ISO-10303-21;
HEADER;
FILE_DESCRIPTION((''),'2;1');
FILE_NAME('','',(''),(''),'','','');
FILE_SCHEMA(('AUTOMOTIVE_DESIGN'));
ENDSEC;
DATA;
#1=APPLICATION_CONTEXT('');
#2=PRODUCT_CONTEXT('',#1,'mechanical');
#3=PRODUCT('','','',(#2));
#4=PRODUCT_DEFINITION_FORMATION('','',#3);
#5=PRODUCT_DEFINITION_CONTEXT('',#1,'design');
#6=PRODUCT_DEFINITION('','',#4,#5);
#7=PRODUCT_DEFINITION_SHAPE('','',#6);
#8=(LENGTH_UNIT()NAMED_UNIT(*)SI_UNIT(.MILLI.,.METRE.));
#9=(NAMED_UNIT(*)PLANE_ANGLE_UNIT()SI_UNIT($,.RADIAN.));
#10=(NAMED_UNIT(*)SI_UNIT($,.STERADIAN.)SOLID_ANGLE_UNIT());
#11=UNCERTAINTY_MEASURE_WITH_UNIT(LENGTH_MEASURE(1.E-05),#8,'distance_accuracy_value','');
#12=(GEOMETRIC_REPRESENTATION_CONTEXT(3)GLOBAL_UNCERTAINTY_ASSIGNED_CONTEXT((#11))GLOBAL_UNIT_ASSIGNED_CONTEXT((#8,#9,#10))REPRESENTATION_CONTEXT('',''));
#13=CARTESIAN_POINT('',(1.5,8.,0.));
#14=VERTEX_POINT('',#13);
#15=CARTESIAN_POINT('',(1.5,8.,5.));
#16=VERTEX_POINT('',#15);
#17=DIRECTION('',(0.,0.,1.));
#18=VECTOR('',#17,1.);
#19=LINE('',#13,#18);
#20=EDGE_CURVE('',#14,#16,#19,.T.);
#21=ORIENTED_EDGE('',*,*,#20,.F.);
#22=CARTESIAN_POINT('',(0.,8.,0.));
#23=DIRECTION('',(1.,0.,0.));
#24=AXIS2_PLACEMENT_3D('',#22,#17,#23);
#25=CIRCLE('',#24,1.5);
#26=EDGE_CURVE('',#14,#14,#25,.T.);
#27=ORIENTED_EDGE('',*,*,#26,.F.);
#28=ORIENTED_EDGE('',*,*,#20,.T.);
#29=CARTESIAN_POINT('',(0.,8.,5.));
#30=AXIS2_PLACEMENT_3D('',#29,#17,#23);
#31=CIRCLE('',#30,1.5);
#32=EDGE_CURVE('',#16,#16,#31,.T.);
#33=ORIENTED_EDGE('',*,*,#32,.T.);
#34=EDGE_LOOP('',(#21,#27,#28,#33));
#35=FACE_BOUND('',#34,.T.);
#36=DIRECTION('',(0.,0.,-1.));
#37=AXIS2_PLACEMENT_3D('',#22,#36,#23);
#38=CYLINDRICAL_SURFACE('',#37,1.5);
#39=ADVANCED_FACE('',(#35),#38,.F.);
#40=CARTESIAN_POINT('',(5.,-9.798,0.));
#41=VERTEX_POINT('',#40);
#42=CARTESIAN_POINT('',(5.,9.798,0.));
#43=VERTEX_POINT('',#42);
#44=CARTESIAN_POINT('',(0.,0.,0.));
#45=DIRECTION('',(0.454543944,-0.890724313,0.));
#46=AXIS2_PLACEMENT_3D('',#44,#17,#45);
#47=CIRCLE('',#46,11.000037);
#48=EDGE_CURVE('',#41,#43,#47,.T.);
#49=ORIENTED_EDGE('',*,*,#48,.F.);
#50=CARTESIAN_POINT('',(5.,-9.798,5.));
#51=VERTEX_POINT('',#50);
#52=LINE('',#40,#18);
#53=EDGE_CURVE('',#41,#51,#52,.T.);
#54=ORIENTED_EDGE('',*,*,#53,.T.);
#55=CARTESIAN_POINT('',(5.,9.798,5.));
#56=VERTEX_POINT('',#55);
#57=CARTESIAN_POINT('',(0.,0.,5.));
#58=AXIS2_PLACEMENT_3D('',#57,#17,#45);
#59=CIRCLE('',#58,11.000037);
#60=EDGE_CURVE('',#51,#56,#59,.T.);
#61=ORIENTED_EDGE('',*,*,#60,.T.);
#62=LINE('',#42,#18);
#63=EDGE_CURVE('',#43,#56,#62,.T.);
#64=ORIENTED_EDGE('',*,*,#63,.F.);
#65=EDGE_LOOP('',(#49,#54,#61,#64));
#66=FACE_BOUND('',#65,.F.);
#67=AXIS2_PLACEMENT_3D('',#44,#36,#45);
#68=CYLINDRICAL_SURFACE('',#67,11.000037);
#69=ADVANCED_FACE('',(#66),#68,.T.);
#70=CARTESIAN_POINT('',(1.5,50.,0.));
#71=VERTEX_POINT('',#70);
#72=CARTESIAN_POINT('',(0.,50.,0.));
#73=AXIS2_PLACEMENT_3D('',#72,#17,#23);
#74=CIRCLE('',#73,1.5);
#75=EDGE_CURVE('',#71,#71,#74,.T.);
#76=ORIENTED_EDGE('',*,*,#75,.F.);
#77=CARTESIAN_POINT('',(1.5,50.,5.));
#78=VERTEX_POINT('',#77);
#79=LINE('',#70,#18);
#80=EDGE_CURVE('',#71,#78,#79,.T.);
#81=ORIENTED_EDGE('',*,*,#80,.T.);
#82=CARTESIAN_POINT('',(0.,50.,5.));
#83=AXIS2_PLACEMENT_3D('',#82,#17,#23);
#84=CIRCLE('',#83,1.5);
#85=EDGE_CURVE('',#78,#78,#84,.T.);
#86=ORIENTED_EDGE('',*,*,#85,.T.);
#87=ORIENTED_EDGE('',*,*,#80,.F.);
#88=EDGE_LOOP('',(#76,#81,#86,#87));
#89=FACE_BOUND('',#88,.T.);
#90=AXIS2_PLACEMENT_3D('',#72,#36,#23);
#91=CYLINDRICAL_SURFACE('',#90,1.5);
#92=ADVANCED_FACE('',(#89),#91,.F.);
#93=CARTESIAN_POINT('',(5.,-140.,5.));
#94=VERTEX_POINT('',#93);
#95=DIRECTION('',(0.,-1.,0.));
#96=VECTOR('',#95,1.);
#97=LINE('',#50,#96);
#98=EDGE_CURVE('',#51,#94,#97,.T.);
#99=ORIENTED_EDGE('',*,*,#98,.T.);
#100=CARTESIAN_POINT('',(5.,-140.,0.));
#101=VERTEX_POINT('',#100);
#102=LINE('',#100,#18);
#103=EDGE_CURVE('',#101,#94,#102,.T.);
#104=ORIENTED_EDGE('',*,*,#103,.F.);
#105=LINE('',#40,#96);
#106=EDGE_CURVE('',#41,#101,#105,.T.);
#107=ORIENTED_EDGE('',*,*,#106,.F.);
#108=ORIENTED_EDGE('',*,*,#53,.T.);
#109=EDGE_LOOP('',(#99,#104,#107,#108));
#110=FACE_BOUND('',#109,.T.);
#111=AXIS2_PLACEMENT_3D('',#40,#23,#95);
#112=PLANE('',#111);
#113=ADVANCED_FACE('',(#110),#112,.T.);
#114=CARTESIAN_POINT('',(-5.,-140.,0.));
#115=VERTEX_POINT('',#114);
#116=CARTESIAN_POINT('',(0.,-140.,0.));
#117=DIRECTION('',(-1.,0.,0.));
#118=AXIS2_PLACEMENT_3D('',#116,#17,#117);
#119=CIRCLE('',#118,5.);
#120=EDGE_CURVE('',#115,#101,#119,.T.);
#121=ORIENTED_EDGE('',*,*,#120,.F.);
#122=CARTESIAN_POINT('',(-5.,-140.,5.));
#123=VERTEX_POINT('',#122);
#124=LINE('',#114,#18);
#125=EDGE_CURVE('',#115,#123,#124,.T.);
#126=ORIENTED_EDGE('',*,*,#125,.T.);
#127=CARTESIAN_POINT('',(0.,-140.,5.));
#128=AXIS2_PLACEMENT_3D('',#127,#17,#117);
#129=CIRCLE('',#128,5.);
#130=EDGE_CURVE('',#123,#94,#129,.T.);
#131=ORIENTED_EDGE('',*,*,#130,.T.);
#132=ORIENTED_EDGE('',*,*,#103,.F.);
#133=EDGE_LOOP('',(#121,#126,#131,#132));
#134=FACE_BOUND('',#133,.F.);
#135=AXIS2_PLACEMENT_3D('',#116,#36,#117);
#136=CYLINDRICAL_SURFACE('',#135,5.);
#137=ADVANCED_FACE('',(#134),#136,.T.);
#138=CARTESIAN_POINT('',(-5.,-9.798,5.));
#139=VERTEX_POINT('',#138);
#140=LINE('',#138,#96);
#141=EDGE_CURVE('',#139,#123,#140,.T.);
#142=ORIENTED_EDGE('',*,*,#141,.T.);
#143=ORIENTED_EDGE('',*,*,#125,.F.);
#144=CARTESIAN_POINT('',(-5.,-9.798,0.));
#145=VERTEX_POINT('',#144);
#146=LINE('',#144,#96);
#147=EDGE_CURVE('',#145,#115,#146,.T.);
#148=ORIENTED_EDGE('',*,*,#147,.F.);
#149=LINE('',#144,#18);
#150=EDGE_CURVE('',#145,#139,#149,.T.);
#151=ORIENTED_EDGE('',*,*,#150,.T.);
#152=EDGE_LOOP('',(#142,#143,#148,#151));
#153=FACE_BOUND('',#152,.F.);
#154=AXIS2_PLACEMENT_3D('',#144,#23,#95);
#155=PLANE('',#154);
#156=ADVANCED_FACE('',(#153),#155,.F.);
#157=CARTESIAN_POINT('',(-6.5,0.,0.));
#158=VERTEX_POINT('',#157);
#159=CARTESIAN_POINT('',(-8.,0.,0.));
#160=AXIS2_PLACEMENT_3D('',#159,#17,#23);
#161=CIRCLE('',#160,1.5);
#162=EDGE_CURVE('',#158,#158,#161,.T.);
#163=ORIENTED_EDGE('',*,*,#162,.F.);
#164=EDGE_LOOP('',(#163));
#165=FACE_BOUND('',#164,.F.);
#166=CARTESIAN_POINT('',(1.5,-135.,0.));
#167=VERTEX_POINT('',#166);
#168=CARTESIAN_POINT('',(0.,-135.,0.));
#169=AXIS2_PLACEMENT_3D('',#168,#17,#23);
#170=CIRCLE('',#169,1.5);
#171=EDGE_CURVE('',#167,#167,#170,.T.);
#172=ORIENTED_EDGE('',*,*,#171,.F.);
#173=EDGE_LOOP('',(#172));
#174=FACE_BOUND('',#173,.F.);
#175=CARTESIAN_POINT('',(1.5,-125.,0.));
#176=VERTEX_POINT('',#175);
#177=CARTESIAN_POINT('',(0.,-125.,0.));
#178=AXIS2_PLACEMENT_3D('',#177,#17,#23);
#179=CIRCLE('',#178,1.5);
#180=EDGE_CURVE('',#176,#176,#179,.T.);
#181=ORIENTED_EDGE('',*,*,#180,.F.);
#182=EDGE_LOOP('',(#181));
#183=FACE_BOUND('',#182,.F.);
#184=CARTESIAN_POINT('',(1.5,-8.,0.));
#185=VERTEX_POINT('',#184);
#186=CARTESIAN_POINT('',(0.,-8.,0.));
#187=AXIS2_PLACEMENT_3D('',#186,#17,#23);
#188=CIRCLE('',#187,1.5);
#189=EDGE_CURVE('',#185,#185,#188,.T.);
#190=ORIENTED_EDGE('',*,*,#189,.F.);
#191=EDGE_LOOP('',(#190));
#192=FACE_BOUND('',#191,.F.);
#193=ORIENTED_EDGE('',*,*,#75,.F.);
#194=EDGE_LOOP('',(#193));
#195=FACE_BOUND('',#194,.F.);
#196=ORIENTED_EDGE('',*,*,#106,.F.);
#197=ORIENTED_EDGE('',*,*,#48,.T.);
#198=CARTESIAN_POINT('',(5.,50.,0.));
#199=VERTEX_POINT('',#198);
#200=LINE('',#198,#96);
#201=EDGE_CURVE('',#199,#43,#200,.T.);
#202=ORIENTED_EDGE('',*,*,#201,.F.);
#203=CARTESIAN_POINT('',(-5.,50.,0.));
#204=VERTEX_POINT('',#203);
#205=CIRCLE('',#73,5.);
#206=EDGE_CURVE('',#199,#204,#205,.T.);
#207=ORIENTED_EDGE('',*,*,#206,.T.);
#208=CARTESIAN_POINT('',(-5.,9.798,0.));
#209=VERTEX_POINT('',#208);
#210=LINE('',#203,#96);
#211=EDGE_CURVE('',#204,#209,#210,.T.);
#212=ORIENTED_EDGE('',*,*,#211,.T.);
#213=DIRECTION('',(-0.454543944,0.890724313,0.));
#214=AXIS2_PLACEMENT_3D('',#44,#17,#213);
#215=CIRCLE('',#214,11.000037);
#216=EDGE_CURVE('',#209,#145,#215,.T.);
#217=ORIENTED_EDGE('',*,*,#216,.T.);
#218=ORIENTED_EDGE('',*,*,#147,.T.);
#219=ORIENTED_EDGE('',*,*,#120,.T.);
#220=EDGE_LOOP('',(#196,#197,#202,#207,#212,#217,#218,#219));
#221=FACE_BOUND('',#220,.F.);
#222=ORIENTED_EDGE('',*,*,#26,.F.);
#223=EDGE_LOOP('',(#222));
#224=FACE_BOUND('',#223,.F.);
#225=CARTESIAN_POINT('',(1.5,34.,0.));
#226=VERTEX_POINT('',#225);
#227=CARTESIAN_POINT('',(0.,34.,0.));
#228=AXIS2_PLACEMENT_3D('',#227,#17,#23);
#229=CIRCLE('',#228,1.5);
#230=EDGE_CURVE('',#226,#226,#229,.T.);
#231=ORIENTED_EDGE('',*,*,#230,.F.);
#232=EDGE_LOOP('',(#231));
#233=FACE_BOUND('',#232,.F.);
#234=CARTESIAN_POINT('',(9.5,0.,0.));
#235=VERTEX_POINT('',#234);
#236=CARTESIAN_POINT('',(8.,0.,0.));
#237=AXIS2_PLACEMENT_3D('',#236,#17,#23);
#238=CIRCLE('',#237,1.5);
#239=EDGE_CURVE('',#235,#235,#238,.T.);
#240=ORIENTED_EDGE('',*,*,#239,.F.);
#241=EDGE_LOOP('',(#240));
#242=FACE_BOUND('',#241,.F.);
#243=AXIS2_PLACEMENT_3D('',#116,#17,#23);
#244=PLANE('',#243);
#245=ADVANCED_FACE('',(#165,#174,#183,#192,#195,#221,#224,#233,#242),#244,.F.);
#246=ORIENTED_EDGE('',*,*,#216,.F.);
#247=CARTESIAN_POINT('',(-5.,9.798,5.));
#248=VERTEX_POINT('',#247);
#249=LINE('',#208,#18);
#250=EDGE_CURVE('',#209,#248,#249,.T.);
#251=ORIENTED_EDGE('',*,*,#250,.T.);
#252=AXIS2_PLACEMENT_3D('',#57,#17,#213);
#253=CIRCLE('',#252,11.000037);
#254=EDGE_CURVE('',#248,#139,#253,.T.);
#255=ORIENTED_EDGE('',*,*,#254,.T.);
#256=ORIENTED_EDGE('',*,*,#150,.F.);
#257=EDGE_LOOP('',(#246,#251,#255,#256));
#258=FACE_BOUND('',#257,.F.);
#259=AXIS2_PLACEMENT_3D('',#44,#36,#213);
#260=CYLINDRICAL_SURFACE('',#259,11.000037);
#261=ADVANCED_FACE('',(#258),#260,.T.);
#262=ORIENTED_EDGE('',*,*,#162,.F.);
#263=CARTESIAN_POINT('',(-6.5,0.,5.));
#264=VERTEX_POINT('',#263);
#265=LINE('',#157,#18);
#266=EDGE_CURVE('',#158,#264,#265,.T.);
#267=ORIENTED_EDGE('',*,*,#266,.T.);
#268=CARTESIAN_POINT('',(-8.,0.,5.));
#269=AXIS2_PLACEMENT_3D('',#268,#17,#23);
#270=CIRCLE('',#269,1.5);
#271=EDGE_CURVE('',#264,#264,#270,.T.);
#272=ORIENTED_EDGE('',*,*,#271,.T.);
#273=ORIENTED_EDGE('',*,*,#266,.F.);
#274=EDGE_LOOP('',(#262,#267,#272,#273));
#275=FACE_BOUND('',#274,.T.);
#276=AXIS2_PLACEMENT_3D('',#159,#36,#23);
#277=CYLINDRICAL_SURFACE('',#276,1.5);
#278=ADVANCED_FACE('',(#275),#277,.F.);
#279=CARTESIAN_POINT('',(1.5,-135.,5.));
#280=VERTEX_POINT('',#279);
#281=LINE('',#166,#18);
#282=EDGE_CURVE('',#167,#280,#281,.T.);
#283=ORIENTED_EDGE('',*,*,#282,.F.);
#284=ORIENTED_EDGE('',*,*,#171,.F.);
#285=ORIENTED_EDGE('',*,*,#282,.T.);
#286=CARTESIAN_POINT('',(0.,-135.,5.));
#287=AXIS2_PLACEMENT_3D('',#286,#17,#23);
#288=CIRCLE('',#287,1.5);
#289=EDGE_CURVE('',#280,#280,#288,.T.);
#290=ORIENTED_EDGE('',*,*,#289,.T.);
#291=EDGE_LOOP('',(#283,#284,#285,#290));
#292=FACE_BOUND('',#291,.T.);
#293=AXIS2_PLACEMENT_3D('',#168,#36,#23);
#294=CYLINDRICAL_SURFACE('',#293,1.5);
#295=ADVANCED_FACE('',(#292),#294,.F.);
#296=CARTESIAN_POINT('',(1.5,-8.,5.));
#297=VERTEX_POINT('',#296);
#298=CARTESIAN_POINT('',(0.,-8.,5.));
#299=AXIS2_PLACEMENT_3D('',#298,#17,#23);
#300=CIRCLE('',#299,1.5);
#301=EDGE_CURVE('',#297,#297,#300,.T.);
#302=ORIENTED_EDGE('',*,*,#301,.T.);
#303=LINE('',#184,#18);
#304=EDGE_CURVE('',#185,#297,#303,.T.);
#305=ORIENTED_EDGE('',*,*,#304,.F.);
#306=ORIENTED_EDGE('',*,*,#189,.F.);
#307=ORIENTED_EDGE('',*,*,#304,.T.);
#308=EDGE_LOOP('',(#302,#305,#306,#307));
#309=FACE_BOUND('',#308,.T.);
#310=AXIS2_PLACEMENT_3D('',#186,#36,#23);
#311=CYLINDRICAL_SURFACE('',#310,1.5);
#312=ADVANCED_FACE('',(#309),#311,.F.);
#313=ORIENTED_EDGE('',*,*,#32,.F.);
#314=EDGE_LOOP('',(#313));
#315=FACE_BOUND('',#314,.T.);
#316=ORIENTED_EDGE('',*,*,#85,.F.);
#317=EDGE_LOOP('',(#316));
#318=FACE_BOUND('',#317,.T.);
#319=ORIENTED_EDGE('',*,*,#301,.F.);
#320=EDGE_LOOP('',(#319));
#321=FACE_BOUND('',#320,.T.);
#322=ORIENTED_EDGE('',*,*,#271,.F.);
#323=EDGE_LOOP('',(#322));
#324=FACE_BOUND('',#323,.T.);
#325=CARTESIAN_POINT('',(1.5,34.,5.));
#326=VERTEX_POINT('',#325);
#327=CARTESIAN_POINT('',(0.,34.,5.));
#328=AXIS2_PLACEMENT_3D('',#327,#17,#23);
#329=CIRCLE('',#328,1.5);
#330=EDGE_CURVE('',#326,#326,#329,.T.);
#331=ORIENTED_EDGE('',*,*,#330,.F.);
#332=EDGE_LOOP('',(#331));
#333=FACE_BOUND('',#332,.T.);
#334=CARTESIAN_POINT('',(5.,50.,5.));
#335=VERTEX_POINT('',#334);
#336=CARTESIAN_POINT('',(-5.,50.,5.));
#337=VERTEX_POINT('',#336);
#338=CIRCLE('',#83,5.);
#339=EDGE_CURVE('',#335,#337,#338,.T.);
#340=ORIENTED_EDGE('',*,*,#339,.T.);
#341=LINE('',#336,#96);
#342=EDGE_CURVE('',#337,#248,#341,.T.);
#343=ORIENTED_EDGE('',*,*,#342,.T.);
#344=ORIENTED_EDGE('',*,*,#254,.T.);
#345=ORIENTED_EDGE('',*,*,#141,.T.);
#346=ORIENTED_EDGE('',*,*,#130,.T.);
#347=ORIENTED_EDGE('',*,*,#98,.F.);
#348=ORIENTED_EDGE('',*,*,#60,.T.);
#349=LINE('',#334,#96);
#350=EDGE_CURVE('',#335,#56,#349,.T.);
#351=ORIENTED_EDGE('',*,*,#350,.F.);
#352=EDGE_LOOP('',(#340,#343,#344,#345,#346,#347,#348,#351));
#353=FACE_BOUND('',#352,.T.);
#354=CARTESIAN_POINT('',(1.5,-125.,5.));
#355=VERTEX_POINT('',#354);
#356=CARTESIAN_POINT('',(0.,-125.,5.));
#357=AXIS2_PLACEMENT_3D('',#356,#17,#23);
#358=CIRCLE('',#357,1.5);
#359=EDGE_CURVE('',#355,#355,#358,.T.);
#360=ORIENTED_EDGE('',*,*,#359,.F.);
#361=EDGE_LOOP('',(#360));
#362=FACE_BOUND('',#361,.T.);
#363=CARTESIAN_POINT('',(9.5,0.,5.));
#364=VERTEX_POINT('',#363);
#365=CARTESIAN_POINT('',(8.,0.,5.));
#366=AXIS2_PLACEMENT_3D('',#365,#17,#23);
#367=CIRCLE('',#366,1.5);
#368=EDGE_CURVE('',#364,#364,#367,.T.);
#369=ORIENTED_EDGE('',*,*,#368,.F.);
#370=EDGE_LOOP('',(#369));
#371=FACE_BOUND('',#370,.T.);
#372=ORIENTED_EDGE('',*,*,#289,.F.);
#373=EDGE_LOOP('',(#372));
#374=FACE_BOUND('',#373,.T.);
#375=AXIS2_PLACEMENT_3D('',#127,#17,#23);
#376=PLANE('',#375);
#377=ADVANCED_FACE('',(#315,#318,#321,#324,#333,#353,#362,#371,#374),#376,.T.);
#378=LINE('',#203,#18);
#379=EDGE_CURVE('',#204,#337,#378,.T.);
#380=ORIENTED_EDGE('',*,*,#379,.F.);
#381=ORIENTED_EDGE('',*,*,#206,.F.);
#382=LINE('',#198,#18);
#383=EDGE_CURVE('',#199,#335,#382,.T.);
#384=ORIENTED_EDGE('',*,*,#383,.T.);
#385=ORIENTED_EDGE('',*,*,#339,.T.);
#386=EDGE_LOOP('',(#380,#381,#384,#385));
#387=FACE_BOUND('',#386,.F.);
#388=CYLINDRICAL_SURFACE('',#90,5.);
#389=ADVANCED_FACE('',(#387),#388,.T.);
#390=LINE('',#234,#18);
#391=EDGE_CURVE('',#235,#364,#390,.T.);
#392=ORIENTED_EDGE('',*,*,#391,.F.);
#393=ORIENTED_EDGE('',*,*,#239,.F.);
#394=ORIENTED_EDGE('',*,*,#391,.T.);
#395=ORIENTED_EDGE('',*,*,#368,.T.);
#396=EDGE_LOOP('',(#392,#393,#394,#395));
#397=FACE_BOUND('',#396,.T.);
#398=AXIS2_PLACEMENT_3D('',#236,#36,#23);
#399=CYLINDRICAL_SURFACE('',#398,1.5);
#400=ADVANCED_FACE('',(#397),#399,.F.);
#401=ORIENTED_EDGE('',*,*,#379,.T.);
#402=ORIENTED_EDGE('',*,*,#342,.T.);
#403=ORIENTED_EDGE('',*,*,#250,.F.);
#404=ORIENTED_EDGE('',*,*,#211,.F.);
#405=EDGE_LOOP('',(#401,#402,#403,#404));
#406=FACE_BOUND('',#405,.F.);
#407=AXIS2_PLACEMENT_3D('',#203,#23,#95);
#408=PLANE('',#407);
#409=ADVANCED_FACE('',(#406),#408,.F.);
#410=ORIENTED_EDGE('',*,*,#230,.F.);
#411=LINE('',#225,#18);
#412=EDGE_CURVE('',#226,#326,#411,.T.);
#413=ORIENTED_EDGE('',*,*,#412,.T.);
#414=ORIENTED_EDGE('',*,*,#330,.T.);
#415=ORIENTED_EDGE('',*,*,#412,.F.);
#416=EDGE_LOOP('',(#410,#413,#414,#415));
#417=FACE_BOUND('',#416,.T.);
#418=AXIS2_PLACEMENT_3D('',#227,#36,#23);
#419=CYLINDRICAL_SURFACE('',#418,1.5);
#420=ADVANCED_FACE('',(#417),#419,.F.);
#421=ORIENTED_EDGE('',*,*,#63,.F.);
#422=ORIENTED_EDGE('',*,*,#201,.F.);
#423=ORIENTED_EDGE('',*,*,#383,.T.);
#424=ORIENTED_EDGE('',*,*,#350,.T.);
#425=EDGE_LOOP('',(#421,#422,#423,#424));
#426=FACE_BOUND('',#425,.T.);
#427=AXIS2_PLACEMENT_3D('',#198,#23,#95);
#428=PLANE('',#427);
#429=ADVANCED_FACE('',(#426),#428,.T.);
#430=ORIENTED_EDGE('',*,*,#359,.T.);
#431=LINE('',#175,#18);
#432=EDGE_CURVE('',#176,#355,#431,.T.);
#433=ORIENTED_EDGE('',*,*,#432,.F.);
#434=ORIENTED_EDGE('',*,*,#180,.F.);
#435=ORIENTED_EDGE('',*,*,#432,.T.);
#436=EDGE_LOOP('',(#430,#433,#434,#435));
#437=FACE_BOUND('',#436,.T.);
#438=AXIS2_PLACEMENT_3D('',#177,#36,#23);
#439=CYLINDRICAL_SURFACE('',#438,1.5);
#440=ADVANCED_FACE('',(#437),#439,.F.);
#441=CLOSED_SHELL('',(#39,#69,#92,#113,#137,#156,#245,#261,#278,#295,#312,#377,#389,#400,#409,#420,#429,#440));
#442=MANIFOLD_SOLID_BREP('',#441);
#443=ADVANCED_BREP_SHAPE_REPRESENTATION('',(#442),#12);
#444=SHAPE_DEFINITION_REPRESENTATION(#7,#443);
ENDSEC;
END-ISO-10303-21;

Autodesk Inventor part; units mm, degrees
ref_plane "YZ Plane" through (0, 0, 0) normal (1, 0, 0) x (0, 1, 0)
ref_plane "XZ Plane" through (0, 0, 0) normal (0, 1, 0) x (-1, 0, 0)
ref_plane "XY Plane" through (0, 0, 0) normal (0, 0, 1) x (1, 0, 0)
sketch "Sketch1" plane through (0, 0, 0) normal (0, 0, 1) x (1, 0, 0)
  arc A0 (-5, 0) -> (5, 0) centre (0, 0) ccw
  arc A1 (5, 190) -> (-5, 190) centre (0, 190) ccw
  line L0 (-5, 190) -> (-5, 149.798)
  line L1 (-5, 130.202) -> (-5, 0)
  line L2 (5, 190) -> (5, 149.798)
  line L3 (5, 130.202) -> (5, 0)
  arc A2 (-5, 149.798) -> (-5, 130.202) centre (0, 140) ccw
  arc A3 (5, 130.202) -> (5, 149.798) centre (0, 140) ccw
  circle A4 centre (0, 190) radius 1.5
  circle A5 centre (0, 174) radius 1.5
  circle A6 centre (0, 5) radius 1.5
  circle A7 centre (0, 15) radius 1.5
  circle A8 centre (8, 140) radius 1.5
  circle A9 centre (0, 148) radius 1.5
  circle A10 centre (-8, 140) radius 1.5
  circle A11 centre (0, 132) radius 1.5
  dimension "d0" = 10
  dimension "d1" = 10
  dimension "d2" = 190
  dimension "d4" = 50
  dimension "d5" = 3
  dimension "d6" = 3
  dimension "d7" = 3
  dimension "d8" = 3
  dimension "d9" = 3
  dimension "d10" = 8
  dimension "d11" = 11
  dimension "d14" = 360
  dimension "d16" = 0
  dimension "d17" = 16
  dimension "d18" = 5
  dimension "d19" = 10
  dimension "d22" = 11
extrude "Extrusion1" add sketch "Sketch1" along normal blind 5
move or copy body "Move Body1" bodies to move or copy 1 copy no translate (0, -140, 0)
sketch "Sketch3" plane through (0, -140, 5) normal (0, 0, 1) x (1, 0, 0)
  point P0 (0, 140)
equation "\"d5\" = d7"
equation "\"d6\" = d7"
equation "\"d8\" = d7"
equation "\"d22\" = d11"
properties part number "brazo" material "Acrylic"
